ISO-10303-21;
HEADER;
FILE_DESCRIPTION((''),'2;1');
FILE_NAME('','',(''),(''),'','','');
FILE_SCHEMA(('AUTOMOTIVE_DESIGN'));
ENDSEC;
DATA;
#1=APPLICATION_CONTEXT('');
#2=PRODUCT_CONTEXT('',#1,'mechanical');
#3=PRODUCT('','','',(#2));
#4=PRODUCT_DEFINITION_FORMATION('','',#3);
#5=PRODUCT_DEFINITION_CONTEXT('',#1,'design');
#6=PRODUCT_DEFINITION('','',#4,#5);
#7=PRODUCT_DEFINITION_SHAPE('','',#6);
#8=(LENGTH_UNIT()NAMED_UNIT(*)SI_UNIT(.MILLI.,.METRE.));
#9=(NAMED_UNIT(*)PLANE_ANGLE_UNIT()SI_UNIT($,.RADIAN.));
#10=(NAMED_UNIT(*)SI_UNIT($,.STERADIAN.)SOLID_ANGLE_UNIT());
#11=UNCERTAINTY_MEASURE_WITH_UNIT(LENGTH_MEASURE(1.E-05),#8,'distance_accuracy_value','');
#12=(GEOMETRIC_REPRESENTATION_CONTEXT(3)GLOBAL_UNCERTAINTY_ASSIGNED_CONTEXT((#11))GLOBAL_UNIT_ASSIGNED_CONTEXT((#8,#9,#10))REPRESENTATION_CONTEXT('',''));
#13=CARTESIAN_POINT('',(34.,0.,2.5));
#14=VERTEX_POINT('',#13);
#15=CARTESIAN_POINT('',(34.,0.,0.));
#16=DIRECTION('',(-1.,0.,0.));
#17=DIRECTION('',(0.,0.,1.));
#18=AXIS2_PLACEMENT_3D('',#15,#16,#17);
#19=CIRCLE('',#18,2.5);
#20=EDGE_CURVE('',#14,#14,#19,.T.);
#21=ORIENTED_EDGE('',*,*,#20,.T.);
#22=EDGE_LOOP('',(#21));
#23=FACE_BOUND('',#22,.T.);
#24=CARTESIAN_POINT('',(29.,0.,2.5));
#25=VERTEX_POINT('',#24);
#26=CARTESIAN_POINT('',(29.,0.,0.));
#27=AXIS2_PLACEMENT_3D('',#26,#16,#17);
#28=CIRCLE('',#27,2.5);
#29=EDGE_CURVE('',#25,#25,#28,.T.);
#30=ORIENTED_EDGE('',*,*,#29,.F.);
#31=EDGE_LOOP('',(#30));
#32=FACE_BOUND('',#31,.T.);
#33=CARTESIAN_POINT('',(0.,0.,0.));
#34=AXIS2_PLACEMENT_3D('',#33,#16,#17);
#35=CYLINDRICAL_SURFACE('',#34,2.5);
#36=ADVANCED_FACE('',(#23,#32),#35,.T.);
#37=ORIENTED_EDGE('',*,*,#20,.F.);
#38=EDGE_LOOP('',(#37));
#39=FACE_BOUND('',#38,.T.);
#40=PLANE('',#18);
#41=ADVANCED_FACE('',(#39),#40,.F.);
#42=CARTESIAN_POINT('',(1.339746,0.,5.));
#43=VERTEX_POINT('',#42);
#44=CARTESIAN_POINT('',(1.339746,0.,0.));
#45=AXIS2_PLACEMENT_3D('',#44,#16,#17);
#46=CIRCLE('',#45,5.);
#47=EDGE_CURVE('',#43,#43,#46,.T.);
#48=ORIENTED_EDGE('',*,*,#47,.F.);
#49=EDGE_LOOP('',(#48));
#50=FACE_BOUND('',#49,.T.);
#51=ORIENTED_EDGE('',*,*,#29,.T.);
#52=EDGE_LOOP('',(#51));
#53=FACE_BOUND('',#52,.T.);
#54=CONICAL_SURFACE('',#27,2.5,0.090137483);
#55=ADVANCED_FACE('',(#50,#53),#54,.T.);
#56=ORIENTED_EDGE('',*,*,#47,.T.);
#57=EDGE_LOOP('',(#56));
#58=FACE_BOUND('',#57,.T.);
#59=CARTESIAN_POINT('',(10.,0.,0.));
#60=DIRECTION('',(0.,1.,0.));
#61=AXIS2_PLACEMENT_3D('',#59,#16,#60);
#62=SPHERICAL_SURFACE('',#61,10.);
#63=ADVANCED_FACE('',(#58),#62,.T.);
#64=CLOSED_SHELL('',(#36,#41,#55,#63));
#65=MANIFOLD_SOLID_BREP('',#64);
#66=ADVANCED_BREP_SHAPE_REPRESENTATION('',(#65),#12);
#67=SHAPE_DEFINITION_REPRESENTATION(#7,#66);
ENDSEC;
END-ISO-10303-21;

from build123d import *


with BuildPart() as part:
    # Sketch1 → Revolve2 (revolve)
    with BuildSketch(Plane.XY, mode=Mode.PRIVATE) as revolve2_sk:
        with BuildLine():
            ThreePointArc((1.339745962, 5), (0.340741737, 2.588190451), (0, 0))
            Line((0, 0), (34, 0))
            Line((34, 0), (34, 2.5))
            Line((34, 2.5), (29, 2.5))
            Line((29, 2.5), (1.339745962, 5))
        make_face()
    revolve(revolve2_sk.sketch.rotate(Axis((0, 0, 0), (1, 0, 0)), 90), axis=Axis((0, 0, 0), (1, 0, 0)))


solid = part.part
